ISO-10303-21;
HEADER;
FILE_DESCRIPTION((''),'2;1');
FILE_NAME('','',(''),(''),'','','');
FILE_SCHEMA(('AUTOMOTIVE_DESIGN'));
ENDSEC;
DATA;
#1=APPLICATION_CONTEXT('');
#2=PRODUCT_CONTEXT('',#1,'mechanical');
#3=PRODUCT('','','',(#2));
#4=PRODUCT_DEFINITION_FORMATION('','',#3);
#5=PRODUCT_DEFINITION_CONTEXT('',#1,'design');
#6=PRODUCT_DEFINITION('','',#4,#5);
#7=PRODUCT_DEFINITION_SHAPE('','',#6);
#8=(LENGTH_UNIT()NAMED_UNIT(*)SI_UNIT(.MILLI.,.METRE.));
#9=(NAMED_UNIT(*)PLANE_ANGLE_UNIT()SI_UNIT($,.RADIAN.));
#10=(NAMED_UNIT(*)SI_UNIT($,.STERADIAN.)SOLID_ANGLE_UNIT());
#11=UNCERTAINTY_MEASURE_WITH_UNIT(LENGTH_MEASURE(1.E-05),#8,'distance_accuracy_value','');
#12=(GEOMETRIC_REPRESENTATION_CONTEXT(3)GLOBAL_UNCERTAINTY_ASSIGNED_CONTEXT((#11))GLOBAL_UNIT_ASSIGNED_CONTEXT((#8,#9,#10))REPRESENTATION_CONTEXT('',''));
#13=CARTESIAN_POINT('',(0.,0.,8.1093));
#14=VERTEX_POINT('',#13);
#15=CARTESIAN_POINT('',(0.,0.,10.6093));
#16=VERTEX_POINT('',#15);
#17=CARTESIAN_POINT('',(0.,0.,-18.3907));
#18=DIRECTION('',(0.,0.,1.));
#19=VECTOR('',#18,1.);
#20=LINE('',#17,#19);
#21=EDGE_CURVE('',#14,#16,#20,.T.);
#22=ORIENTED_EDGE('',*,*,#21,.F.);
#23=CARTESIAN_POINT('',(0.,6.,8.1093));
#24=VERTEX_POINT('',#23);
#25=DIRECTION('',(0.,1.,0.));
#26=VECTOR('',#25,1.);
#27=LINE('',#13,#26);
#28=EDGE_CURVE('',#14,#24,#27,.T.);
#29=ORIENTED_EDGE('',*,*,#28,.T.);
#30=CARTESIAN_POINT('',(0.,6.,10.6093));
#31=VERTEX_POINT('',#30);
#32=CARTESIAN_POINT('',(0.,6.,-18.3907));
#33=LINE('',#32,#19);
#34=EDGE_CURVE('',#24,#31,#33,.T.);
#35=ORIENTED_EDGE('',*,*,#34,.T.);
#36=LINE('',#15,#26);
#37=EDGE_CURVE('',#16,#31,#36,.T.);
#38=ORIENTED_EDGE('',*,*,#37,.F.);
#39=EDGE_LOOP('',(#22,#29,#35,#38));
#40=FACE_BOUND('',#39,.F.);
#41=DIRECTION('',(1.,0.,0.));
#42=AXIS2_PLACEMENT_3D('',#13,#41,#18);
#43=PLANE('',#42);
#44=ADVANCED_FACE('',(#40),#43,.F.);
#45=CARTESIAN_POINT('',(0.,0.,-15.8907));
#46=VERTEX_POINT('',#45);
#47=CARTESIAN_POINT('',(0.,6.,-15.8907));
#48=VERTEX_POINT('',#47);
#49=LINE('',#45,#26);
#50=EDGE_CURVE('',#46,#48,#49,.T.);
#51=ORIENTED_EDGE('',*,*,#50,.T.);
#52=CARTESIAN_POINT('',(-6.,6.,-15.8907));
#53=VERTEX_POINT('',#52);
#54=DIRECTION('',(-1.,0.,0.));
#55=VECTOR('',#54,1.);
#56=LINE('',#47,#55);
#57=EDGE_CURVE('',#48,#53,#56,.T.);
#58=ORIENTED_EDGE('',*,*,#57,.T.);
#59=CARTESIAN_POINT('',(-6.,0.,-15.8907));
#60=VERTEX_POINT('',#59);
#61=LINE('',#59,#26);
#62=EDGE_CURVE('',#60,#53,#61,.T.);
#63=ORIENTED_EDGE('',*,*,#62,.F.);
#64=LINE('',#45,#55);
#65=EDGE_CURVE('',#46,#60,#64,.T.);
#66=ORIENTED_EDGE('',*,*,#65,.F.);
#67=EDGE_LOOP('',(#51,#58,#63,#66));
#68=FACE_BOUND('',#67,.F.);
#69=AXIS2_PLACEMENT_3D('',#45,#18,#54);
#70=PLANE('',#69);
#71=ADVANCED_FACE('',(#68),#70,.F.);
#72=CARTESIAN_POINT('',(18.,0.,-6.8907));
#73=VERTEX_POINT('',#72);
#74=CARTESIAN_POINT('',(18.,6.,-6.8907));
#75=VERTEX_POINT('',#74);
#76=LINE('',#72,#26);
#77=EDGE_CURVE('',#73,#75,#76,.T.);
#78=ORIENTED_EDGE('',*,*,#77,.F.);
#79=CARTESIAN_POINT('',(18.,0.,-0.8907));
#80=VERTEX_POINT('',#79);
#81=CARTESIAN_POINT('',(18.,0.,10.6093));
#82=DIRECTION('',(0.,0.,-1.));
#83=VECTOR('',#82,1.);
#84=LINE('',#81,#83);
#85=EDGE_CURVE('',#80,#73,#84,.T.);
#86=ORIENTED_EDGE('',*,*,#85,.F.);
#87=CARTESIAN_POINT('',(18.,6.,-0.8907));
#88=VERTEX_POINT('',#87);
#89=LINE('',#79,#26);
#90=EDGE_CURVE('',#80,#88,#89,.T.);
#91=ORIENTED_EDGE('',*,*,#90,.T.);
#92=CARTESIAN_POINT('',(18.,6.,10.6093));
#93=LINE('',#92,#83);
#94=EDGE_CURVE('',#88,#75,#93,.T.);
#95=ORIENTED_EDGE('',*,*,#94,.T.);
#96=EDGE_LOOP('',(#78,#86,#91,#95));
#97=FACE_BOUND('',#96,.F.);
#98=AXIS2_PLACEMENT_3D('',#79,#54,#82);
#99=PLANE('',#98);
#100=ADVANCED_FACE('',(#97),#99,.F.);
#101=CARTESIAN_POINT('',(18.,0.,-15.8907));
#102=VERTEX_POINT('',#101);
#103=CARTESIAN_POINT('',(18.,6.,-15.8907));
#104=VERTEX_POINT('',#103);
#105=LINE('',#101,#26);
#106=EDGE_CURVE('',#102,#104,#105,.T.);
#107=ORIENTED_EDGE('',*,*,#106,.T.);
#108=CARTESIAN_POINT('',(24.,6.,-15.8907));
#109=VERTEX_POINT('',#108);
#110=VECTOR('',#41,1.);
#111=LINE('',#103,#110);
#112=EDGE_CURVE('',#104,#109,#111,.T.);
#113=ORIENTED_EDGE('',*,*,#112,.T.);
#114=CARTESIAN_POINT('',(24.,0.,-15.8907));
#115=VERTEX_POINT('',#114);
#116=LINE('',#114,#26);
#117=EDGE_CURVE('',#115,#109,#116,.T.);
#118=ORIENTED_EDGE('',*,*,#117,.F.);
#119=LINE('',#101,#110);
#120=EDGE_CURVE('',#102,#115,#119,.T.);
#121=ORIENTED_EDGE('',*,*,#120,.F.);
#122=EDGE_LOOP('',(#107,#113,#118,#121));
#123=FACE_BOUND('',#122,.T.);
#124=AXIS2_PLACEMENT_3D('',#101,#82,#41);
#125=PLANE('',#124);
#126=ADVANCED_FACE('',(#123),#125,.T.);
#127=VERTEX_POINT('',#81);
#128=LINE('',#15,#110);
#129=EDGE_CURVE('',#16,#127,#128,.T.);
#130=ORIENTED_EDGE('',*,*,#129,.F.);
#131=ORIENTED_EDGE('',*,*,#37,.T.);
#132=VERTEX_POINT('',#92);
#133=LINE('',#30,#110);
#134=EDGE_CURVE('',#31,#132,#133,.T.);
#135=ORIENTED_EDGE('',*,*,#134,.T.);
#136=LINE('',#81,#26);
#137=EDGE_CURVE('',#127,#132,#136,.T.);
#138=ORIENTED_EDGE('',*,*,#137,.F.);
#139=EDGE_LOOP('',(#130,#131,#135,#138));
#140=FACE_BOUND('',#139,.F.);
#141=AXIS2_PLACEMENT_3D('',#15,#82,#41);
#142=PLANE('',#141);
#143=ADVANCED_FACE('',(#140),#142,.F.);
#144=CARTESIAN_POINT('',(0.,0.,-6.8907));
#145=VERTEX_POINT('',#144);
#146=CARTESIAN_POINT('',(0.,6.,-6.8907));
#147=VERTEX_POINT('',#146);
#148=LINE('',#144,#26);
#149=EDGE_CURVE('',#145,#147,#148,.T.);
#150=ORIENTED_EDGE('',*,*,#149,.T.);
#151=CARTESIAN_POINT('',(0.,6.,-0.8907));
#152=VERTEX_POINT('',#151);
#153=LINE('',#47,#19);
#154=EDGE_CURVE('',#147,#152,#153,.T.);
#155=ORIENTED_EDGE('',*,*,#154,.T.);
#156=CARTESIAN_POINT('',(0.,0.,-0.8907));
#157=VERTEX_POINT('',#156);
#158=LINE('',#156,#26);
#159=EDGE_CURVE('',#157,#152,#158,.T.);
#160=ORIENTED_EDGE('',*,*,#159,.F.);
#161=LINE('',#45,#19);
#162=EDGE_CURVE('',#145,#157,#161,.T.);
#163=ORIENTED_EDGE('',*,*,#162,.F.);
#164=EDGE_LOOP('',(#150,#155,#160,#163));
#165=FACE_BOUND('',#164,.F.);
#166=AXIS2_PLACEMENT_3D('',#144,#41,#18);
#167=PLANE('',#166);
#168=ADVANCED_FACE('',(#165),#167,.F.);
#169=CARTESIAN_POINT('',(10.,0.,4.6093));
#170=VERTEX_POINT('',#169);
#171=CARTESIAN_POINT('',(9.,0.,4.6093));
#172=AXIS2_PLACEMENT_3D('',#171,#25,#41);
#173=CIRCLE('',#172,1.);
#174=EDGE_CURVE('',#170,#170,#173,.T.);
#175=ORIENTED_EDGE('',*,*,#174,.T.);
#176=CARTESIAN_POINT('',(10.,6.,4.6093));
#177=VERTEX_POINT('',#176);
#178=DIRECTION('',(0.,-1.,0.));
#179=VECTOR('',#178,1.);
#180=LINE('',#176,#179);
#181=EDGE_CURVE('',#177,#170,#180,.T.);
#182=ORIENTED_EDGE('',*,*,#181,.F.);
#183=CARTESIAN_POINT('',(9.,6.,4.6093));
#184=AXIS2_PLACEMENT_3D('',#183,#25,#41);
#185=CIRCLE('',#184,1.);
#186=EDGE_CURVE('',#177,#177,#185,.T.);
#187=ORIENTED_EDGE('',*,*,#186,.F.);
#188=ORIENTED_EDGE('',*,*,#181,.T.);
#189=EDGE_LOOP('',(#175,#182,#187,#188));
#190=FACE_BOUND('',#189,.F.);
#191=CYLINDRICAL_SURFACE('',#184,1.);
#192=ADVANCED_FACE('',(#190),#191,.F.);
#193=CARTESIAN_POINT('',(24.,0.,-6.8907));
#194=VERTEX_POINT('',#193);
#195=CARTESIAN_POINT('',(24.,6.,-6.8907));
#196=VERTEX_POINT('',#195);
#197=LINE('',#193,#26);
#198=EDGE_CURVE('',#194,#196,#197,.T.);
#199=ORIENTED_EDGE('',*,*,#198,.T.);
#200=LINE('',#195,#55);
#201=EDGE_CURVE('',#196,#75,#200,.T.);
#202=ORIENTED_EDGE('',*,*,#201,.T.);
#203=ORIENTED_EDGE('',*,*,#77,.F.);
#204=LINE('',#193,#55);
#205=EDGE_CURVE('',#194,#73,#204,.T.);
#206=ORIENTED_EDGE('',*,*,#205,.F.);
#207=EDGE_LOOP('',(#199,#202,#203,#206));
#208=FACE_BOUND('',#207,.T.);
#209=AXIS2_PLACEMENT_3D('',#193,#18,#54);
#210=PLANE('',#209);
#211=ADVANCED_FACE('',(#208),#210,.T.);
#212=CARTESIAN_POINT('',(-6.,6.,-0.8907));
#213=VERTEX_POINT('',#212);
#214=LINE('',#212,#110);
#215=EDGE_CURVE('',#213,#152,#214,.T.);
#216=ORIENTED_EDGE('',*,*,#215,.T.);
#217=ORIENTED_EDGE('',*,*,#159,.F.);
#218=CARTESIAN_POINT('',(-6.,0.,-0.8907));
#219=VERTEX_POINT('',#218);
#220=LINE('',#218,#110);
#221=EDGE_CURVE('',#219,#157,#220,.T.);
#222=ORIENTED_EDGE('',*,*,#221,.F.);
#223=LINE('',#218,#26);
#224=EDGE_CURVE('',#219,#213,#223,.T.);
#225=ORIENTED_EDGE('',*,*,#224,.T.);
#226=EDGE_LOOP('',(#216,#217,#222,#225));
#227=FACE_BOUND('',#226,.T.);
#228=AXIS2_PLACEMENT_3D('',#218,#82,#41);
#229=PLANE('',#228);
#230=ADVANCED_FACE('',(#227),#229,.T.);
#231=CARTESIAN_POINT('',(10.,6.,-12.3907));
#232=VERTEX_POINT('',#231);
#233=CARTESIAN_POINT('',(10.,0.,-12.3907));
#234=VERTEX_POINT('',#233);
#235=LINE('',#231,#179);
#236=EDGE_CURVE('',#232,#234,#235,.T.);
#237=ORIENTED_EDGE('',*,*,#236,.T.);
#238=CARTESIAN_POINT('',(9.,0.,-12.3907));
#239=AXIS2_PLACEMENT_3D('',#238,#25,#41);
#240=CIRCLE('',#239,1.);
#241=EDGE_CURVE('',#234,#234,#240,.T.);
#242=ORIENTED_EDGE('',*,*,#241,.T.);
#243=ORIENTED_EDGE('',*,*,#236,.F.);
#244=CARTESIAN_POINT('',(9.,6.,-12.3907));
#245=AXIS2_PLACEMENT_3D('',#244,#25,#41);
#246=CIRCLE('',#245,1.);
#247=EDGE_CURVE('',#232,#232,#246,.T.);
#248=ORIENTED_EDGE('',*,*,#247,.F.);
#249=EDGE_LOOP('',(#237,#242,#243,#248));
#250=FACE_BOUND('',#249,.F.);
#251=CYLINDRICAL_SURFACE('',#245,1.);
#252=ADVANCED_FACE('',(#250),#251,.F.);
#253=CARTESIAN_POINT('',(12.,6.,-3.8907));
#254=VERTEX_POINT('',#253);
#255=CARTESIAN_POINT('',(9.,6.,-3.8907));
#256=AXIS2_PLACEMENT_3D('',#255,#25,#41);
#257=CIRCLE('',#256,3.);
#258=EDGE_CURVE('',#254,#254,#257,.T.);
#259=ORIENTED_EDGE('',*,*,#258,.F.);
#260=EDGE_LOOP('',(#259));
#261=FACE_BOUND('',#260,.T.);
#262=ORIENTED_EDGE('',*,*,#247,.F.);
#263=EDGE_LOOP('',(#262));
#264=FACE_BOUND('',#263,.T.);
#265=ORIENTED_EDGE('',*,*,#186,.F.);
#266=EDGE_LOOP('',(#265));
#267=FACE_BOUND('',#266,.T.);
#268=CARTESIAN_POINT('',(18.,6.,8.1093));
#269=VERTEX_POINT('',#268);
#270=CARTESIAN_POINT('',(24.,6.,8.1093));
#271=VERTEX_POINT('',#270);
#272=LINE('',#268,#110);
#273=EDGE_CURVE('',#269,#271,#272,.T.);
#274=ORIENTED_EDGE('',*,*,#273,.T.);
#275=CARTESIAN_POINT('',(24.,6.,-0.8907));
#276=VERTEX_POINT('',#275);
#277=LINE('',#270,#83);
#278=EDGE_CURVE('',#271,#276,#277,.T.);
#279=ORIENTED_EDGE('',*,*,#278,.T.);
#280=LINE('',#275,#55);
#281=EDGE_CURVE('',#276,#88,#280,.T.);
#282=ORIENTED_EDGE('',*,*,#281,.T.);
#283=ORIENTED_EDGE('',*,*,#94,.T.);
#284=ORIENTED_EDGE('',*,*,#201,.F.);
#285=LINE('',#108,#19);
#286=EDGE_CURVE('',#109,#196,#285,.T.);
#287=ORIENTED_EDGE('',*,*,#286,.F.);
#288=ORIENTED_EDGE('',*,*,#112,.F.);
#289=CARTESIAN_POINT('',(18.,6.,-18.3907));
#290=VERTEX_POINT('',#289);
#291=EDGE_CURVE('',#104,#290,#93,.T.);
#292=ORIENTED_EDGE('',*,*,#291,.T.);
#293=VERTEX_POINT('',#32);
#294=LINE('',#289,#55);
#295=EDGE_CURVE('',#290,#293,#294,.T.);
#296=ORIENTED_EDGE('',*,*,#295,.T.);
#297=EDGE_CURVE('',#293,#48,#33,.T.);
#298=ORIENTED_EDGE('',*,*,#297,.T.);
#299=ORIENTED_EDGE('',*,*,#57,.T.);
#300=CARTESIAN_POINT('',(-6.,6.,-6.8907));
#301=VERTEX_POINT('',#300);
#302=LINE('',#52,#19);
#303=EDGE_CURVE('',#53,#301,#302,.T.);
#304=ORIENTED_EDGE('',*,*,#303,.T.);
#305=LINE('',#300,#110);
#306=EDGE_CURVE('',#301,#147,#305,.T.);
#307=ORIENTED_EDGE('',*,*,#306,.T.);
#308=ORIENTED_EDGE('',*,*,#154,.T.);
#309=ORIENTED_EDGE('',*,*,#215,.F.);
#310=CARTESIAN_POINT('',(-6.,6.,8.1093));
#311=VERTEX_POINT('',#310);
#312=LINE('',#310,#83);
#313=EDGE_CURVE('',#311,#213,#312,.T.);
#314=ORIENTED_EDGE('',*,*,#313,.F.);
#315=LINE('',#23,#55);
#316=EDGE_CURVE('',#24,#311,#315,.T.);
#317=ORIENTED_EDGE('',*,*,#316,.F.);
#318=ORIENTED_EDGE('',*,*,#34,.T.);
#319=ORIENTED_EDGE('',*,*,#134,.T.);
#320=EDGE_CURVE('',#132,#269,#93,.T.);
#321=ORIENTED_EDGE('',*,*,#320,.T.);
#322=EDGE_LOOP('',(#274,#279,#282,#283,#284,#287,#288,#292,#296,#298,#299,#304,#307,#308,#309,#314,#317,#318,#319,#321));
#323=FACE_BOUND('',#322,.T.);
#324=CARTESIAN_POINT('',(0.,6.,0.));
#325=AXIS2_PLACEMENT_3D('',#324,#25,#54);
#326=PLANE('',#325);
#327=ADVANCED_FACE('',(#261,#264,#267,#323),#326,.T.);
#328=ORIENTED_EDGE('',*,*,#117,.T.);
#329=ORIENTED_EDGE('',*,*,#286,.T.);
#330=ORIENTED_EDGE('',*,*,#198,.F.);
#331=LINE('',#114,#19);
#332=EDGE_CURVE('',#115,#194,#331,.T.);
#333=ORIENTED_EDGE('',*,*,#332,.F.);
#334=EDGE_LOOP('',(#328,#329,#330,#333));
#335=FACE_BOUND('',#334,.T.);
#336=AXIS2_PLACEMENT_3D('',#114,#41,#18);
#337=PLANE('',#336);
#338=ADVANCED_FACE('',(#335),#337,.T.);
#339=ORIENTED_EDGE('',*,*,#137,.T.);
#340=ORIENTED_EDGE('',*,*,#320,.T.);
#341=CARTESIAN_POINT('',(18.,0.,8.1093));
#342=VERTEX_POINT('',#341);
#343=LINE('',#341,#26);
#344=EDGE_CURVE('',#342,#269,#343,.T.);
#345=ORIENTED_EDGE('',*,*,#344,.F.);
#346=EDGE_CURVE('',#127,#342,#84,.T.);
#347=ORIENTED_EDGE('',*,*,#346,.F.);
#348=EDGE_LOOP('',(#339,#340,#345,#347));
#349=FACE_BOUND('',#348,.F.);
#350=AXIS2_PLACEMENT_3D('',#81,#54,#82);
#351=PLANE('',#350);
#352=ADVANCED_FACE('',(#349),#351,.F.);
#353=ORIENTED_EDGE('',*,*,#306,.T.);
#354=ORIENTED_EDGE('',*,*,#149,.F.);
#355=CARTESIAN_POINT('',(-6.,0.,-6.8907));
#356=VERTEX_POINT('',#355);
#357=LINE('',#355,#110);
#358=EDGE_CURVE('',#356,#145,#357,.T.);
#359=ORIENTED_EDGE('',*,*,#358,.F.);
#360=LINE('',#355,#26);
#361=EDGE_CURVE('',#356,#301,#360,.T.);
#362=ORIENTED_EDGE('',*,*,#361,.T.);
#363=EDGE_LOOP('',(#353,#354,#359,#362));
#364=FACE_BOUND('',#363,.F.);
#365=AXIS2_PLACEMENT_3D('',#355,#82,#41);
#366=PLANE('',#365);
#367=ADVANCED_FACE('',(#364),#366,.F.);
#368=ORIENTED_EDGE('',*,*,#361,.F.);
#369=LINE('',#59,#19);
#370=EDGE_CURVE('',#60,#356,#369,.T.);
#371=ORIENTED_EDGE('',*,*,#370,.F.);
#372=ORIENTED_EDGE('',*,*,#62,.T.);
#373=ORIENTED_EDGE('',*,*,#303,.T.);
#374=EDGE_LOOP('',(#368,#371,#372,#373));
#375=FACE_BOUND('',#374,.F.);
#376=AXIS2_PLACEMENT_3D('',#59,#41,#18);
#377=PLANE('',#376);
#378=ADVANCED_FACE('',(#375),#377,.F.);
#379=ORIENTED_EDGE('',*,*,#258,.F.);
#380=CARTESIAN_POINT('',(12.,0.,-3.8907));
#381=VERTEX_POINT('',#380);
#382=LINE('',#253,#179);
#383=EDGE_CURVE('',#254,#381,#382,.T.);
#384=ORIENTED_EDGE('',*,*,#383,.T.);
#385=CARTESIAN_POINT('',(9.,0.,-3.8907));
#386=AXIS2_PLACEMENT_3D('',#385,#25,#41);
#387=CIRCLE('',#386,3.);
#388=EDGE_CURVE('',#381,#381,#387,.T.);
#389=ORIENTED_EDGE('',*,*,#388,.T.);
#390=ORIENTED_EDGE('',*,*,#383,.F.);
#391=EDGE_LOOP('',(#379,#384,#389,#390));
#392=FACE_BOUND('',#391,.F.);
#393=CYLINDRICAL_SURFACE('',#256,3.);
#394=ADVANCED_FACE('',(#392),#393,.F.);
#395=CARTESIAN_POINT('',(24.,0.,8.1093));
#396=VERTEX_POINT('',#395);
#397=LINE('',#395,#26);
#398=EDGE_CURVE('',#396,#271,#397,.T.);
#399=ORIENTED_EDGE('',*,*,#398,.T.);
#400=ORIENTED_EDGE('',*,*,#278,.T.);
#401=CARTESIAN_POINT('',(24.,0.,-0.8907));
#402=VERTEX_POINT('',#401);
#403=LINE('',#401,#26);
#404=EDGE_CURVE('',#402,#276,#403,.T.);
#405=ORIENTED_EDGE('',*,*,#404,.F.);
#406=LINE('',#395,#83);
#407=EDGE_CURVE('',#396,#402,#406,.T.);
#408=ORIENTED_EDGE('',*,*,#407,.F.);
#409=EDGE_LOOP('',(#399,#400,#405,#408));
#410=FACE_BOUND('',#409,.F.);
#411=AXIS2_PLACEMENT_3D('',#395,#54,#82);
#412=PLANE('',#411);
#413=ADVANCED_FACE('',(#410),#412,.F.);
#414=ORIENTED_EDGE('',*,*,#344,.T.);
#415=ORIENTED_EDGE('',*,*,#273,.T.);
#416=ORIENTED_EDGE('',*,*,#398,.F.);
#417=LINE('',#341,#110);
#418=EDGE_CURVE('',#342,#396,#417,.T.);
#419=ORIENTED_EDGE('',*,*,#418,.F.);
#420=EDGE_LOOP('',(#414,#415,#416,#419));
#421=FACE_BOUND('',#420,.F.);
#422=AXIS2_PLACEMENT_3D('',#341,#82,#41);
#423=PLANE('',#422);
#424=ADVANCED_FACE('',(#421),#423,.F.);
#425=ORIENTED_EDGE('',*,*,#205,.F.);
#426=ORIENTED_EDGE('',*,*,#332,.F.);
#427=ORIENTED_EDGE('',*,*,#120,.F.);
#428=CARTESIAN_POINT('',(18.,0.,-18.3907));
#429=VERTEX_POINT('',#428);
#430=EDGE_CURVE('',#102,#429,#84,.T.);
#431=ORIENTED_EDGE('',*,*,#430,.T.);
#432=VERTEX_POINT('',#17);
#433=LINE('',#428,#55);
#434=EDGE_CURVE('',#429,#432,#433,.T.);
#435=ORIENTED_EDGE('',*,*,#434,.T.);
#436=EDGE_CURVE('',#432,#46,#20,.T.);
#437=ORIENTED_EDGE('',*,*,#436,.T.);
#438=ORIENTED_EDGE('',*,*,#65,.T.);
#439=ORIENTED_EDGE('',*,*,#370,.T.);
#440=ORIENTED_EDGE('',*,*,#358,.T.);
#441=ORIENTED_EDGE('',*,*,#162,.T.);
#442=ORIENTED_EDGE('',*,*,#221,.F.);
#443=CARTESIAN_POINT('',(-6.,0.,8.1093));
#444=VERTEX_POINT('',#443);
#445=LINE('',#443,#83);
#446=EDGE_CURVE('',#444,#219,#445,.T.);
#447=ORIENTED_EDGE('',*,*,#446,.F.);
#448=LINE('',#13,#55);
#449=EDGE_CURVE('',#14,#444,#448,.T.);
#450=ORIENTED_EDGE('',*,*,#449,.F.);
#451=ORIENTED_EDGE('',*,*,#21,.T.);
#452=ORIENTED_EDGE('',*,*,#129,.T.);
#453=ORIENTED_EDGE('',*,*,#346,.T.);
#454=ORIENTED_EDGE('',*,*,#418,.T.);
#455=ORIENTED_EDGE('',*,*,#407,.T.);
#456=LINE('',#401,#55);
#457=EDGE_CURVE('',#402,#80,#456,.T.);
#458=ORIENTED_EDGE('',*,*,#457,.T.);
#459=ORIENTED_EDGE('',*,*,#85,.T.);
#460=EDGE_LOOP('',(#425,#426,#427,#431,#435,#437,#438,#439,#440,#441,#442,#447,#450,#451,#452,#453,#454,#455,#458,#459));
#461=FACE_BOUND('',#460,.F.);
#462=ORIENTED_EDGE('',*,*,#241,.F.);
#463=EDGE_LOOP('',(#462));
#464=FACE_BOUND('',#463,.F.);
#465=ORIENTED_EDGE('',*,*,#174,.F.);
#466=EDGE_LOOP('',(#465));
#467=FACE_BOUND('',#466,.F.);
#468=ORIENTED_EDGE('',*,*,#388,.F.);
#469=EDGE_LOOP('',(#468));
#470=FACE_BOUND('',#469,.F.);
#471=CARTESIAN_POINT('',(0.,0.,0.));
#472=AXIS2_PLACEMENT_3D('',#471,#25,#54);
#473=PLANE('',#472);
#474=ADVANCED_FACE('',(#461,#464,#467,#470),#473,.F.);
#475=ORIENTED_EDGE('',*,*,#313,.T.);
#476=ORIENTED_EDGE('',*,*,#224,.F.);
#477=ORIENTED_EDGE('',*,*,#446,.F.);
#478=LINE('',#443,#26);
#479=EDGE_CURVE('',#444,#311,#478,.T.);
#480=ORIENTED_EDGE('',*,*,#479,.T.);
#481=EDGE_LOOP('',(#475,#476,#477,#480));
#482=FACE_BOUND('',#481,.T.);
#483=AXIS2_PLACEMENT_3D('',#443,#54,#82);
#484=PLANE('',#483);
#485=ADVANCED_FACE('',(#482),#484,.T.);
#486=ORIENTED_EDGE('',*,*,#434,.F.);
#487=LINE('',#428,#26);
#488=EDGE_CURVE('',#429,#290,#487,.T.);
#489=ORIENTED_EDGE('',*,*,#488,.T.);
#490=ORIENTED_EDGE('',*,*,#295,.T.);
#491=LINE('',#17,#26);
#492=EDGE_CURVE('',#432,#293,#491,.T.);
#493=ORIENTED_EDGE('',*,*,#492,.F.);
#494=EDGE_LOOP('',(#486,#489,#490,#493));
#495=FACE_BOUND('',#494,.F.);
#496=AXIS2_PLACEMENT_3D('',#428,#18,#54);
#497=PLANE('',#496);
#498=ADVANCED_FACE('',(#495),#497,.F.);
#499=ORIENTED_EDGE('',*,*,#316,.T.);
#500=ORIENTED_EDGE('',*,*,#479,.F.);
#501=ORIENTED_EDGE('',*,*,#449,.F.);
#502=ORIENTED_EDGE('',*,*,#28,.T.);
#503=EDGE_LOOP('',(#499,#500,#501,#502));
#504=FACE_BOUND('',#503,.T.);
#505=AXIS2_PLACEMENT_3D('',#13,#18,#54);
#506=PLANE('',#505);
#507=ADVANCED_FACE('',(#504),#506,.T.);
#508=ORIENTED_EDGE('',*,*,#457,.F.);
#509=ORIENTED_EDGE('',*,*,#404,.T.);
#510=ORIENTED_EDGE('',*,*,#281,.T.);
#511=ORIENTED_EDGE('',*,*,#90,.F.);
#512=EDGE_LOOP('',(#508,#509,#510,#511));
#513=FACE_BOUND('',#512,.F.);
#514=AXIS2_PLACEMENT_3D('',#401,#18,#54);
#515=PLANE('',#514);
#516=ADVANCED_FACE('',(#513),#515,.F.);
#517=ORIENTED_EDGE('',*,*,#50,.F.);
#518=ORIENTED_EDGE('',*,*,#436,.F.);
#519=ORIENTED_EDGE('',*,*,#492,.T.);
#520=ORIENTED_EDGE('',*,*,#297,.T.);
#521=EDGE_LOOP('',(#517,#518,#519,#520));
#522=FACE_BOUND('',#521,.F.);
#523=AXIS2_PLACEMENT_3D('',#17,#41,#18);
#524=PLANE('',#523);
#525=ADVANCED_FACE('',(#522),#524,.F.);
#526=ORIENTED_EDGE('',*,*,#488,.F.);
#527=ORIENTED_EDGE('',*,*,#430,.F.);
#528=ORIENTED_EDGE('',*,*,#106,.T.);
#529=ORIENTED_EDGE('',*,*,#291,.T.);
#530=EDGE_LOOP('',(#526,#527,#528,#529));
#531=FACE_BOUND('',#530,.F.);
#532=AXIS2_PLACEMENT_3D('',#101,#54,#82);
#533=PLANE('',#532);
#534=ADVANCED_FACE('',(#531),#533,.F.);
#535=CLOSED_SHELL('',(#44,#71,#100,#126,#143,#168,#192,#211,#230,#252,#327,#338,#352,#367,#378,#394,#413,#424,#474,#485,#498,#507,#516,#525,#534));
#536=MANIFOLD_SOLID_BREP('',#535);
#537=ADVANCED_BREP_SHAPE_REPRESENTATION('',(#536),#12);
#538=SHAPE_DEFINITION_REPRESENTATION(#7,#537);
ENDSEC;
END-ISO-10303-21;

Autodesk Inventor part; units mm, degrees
ref_plane "YZ Plane" through (0, 0, 0) normal (1, 0, 0) x (0, 1, 0)
ref_plane "XZ Plane" through (0, 0, 0) normal (0, 1, 0) x (-1, 0, 0)
ref_plane "XY Plane" through (0, 0, 0) normal (0, 0, 1) x (1, 0, 0)
sketch "Sketch1" plane through (0, 0, 0) normal (0, 1, 0) x (-1, 0, 0)
  line L0 (0, 10.6093) -> (-18, 10.6093)
  line L1 (-18, 10.6093) -> (-18, -18.3907)
  line L2 (-18, -18.3907) -> (0, -18.3907)
  line L3 (0, -15.8907) -> (6, -15.8907)
  line L4 (6, -15.8907) -> (6, -6.8907)
  line L5 (6, -6.8907) -> (0, -6.8907)
  line L6 (0, -6.8907) -> (0, -15.8907)
  line L7 (0, -3.8907) -> (-9, -3.8907) construction
  line L8 (-9, -18.3907) -> (-9, 10.6093) construction
  line L9 (0, 8.1093) -> (6, 8.1093)
  line L10 (6, 8.1093) -> (6, -0.8907)
  line L11 (6, -0.8907) -> (0, -0.8907)
  line L12 (0, -0.8907) -> (0, 8.1093)
  line L13 (-18, -15.8907) -> (-24, -15.8907)
  line L14 (-24, -15.8907) -> (-24, -6.8907)
  line L15 (-24, -6.8907) -> (-18, -6.8907)
  line L16 (-18, -6.8907) -> (-18, -15.8907)
  line L17 (-18, 8.1093) -> (-24, 8.1093)
  line L18 (-24, 8.1093) -> (-24, -0.8907)
  line L19 (-24, -0.8907) -> (-18, -0.8907)
  line L20 (-18, -0.8907) -> (-18, 8.1093)
  line L21 (0, -15.8907) -> (0, 8.1093)
  line L22 (-9, -3.8907) -> (-18, -3.8907) construction
  line L23 (0, -18.3907) -> (0, 10.6093)
  dimension "d49" = 18
  dimension "d50" = 29
  dimension "d54" = 9
  dimension "d60" = 6
  dimension "d76" = 6
  dimension "d87" = 30
extrude "Extrusion1" add sketch "Sketch1" along normal blind 6
sketch "Sketch3" plane through (0, 6, 0) normal (0, 1, 0) x (1, 0, 0)
  line L0 (18, 18.3907) -> (0, 18.3907) construction
  line L1 (9, 18.3907) -> (9, -10.6093) construction
  line L2 (0, -10.6093) -> (18, -10.6093) construction
  line L3 (0, 0.8907) -> (0, 6.8907) construction
  line L4 (0, 3.8907) -> (18, 3.8907) construction
  line L5 (18, 0.8907) -> (18, 6.8907) construction
  circle A0 centre (9, 12.3907) radius 1
  circle A1 centre (9, -4.6093) radius 1
  circle A2 centre (9, 3.8907) radius 3
  point P0 (0, 0)
  dimension "d91" = 2
  dimension "d92" = 8.5
  dimension "d96" = 6
extrude "Extrusion3" cut sketch "Sketch3" against normal through all
properties part number "thumper-bumper-top-v3"
